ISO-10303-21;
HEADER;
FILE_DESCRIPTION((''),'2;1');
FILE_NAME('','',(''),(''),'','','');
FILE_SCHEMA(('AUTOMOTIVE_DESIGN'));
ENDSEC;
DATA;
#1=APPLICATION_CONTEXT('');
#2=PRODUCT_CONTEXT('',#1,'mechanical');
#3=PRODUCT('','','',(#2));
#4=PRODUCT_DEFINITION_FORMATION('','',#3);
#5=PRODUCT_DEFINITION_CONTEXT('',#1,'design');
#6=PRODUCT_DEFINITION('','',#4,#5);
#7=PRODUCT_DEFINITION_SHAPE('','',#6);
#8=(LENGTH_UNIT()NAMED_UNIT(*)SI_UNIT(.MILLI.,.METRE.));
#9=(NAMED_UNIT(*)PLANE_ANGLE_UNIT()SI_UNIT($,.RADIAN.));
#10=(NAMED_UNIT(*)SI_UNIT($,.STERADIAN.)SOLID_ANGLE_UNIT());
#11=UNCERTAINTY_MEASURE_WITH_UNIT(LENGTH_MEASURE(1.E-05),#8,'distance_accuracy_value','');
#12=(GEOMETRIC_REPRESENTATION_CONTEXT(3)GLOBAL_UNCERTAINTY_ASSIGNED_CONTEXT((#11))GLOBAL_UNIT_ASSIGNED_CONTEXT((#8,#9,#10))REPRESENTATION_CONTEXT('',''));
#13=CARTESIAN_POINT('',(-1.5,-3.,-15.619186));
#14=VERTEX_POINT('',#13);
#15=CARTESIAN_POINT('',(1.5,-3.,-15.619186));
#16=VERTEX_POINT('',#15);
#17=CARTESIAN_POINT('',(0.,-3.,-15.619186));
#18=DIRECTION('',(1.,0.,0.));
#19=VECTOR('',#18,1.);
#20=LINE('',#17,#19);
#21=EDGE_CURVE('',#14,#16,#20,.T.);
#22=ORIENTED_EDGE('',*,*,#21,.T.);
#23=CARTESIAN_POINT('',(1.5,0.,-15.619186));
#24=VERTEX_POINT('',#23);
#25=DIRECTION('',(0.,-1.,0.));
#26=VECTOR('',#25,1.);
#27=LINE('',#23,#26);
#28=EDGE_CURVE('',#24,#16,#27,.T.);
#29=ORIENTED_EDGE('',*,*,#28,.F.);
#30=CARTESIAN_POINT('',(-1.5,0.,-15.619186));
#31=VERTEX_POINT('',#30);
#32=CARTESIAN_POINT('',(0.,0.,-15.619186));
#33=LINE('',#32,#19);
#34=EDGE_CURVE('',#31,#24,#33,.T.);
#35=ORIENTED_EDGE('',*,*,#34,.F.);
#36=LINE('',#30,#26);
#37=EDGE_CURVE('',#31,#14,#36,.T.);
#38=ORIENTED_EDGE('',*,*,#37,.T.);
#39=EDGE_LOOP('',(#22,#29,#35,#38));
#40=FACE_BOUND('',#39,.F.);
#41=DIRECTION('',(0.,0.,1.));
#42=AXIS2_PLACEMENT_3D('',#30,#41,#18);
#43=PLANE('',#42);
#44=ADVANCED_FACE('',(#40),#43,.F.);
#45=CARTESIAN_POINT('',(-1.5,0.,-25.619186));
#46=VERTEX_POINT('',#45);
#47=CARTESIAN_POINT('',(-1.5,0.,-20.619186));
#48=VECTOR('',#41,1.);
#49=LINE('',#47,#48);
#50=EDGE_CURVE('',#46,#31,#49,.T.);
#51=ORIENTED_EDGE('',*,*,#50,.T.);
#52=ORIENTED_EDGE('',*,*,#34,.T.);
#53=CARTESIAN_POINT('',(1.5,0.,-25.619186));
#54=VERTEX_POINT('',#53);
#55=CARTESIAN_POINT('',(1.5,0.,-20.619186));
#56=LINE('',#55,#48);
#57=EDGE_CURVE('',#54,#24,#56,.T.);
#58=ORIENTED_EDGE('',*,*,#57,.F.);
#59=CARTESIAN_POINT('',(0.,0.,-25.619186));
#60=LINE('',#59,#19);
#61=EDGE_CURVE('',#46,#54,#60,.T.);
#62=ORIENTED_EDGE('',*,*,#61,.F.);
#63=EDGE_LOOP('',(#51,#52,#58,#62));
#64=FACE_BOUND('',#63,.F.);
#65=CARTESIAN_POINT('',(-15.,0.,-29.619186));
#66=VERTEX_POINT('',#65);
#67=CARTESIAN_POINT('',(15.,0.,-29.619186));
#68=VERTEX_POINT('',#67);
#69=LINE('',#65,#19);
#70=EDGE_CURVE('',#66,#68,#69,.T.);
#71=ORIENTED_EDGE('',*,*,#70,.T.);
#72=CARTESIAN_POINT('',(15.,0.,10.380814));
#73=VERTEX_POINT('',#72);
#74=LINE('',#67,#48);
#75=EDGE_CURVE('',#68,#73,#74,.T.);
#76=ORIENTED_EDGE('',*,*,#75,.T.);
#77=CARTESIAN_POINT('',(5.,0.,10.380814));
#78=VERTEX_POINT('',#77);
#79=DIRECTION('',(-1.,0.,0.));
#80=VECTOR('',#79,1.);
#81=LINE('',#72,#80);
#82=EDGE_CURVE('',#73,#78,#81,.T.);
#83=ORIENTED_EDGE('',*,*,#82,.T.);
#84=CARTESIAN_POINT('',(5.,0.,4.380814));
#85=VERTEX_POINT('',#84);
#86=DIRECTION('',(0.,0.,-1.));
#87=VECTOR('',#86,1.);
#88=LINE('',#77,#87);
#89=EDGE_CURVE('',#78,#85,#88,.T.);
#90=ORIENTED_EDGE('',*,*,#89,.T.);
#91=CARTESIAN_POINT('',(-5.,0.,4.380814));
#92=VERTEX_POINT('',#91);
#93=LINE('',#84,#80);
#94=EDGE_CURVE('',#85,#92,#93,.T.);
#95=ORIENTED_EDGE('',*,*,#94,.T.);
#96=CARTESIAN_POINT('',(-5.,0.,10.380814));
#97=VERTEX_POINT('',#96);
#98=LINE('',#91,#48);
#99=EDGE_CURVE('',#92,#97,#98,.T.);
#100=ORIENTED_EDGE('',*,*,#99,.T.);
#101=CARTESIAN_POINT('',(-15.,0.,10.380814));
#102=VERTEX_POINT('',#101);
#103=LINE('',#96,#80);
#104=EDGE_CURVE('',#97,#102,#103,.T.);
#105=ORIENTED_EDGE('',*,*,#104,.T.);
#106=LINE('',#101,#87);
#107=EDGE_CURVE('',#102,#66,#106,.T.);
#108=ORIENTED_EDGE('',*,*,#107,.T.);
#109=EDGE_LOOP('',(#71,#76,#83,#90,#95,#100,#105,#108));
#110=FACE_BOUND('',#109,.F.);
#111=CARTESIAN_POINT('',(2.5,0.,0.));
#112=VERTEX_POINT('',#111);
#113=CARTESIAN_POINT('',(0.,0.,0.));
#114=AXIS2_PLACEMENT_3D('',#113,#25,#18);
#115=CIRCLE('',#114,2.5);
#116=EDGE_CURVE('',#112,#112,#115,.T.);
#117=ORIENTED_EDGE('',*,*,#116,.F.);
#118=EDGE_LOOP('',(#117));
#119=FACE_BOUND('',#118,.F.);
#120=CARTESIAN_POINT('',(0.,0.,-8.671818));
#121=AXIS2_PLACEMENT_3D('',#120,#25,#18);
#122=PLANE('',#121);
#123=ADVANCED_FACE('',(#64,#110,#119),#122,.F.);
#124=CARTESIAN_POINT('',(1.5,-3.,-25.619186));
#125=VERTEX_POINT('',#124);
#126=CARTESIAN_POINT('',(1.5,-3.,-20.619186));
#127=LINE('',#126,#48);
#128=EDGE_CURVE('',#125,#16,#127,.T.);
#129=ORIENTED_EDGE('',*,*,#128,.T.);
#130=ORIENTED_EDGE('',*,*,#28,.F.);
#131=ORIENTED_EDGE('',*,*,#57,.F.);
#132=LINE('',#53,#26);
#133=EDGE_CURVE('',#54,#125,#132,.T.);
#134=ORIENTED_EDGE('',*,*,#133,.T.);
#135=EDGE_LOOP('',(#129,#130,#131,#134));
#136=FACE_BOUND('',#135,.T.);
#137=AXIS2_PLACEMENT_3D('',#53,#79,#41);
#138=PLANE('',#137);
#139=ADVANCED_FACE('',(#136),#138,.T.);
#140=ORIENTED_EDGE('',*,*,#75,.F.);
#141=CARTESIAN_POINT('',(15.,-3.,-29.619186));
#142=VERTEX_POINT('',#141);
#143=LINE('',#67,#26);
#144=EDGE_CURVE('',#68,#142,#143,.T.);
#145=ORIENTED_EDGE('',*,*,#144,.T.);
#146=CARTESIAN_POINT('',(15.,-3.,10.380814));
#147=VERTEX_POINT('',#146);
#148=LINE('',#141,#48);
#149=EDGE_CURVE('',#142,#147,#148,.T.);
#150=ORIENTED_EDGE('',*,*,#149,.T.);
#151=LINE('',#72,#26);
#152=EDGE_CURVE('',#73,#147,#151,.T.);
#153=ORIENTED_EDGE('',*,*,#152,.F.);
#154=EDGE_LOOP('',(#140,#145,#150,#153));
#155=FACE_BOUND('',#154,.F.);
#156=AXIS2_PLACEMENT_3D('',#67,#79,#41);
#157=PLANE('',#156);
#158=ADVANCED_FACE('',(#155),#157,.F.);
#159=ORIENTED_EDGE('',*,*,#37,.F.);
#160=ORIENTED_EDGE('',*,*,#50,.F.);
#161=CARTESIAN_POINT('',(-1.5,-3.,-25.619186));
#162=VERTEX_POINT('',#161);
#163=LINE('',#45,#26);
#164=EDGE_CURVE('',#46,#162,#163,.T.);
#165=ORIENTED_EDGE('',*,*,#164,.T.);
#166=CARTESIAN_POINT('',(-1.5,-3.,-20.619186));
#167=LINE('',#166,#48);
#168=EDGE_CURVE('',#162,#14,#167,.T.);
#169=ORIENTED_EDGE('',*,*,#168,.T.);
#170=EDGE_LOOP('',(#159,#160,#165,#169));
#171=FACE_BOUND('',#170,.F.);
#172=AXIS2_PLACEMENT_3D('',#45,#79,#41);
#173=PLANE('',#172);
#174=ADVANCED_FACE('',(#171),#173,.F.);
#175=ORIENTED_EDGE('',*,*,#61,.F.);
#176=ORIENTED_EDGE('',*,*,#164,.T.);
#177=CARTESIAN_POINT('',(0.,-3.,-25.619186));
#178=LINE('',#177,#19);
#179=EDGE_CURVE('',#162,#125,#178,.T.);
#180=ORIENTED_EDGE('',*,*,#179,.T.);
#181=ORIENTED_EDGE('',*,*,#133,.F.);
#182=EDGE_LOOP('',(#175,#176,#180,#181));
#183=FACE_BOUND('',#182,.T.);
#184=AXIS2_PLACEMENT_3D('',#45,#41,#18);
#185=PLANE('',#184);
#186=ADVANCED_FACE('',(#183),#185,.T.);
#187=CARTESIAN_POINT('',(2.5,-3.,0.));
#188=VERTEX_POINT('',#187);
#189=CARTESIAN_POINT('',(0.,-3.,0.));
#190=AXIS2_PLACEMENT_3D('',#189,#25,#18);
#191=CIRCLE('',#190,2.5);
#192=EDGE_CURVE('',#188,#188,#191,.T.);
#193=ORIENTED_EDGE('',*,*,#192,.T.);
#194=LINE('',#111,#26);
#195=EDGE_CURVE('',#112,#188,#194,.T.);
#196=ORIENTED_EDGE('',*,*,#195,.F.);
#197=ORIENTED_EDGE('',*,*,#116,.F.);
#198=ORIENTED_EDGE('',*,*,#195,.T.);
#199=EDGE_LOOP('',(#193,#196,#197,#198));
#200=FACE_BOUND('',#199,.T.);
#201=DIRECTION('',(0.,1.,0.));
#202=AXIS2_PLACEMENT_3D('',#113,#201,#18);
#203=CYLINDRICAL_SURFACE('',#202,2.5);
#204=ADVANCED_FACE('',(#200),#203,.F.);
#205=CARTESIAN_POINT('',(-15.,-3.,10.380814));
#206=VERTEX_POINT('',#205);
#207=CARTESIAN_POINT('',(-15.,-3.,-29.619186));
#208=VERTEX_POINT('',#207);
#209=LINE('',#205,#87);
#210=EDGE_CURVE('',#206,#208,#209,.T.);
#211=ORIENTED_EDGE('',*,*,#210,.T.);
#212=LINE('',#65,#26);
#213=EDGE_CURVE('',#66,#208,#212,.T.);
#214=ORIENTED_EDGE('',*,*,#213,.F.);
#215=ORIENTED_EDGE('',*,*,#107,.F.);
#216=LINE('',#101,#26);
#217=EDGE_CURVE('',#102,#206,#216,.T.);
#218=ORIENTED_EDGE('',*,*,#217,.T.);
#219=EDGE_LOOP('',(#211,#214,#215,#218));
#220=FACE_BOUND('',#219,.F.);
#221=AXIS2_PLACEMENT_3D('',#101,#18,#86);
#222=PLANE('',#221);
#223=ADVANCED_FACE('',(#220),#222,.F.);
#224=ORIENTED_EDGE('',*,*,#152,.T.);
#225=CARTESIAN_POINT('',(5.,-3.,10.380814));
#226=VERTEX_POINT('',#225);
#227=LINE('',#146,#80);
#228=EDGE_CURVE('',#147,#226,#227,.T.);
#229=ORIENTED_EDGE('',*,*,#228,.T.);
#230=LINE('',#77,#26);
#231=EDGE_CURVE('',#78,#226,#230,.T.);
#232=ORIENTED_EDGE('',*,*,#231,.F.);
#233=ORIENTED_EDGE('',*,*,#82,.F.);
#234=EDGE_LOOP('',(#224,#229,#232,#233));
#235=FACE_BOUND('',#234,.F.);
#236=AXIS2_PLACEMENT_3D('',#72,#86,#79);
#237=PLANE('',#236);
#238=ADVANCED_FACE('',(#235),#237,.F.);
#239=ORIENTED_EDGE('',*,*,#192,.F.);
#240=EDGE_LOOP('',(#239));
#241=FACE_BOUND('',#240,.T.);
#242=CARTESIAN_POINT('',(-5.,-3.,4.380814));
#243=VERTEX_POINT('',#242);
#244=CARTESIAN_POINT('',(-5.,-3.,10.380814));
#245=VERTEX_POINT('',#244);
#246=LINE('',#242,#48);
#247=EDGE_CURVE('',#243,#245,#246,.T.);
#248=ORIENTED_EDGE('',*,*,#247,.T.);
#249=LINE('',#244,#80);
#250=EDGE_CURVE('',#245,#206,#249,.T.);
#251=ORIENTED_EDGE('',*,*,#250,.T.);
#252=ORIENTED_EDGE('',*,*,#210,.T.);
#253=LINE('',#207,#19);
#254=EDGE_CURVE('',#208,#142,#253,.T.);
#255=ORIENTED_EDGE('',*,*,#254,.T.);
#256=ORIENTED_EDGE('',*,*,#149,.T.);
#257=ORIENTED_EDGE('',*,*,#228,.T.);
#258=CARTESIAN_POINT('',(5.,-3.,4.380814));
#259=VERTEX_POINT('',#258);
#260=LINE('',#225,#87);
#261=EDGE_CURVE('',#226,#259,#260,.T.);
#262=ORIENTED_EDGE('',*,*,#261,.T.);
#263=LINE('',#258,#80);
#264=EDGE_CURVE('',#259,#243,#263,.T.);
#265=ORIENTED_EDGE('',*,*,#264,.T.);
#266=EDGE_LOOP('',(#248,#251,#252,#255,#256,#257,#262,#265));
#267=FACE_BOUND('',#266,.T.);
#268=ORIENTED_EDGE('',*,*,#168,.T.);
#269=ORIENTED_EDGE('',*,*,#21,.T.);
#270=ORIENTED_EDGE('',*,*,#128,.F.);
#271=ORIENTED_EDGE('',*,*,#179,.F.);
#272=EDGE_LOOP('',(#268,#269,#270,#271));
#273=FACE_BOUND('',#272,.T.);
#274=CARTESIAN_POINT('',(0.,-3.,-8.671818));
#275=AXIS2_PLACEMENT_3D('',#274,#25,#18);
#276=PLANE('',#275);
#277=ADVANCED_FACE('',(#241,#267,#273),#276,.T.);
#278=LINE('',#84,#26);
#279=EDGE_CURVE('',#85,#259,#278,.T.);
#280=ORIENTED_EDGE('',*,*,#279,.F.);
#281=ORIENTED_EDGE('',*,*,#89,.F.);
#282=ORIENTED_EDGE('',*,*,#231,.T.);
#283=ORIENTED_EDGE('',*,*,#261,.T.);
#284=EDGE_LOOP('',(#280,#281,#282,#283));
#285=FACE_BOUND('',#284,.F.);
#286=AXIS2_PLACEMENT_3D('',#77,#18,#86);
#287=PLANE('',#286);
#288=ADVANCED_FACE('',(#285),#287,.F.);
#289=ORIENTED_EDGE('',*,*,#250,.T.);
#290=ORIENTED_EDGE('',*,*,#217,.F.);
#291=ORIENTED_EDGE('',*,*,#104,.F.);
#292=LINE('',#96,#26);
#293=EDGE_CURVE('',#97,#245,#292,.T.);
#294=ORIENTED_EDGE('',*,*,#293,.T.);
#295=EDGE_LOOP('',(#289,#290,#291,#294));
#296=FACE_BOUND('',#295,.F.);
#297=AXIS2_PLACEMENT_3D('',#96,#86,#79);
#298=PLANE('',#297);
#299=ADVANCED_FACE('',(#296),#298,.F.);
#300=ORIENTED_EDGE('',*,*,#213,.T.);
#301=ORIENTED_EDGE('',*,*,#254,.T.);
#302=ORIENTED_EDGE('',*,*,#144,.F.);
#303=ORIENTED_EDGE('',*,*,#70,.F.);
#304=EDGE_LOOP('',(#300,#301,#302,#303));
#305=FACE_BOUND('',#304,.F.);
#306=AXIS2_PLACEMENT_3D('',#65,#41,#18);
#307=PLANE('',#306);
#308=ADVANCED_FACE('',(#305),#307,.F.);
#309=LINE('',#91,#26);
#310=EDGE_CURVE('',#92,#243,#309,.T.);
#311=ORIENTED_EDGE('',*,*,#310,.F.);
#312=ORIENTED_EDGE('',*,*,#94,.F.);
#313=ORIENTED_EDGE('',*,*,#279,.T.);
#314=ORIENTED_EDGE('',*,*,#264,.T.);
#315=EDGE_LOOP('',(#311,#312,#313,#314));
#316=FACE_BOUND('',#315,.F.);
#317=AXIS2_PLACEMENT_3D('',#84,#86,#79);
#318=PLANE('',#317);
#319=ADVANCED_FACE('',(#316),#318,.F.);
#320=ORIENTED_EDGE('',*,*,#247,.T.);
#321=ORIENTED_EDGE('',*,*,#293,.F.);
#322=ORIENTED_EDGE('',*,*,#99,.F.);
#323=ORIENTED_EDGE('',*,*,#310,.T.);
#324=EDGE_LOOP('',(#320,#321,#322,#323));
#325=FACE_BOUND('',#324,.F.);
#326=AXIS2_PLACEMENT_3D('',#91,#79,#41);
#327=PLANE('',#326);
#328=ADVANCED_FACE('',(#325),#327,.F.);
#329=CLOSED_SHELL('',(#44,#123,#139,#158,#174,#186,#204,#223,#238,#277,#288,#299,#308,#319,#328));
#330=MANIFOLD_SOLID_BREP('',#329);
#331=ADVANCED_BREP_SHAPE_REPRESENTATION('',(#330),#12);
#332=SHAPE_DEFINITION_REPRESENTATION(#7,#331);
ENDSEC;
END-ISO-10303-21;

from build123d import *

# Parameters (mm, degrees)
F0_W     = 3
F0_H     = 10
F0_R     = 2.5
F1_DEPTH = 3


with BuildPart() as f1:
    # F0 (on Front) → F1 (new body)
    with BuildSketch(Plane.XZ):
        Polygon((5, 4.380814), (-5, 4.380814), (-5, 10.380814), (-15, 10.380814), (-15, -29.619186), (15, -29.619186), (15, 10.380814), (5, 10.380814), align=None)
        with Locations((0, -20.619186)):
            Rectangle(F0_W, F0_H, mode=Mode.SUBTRACT)
        Circle(F0_R, mode=Mode.SUBTRACT)
    extrude(amount=F1_DEPTH)


solid = f1.part
